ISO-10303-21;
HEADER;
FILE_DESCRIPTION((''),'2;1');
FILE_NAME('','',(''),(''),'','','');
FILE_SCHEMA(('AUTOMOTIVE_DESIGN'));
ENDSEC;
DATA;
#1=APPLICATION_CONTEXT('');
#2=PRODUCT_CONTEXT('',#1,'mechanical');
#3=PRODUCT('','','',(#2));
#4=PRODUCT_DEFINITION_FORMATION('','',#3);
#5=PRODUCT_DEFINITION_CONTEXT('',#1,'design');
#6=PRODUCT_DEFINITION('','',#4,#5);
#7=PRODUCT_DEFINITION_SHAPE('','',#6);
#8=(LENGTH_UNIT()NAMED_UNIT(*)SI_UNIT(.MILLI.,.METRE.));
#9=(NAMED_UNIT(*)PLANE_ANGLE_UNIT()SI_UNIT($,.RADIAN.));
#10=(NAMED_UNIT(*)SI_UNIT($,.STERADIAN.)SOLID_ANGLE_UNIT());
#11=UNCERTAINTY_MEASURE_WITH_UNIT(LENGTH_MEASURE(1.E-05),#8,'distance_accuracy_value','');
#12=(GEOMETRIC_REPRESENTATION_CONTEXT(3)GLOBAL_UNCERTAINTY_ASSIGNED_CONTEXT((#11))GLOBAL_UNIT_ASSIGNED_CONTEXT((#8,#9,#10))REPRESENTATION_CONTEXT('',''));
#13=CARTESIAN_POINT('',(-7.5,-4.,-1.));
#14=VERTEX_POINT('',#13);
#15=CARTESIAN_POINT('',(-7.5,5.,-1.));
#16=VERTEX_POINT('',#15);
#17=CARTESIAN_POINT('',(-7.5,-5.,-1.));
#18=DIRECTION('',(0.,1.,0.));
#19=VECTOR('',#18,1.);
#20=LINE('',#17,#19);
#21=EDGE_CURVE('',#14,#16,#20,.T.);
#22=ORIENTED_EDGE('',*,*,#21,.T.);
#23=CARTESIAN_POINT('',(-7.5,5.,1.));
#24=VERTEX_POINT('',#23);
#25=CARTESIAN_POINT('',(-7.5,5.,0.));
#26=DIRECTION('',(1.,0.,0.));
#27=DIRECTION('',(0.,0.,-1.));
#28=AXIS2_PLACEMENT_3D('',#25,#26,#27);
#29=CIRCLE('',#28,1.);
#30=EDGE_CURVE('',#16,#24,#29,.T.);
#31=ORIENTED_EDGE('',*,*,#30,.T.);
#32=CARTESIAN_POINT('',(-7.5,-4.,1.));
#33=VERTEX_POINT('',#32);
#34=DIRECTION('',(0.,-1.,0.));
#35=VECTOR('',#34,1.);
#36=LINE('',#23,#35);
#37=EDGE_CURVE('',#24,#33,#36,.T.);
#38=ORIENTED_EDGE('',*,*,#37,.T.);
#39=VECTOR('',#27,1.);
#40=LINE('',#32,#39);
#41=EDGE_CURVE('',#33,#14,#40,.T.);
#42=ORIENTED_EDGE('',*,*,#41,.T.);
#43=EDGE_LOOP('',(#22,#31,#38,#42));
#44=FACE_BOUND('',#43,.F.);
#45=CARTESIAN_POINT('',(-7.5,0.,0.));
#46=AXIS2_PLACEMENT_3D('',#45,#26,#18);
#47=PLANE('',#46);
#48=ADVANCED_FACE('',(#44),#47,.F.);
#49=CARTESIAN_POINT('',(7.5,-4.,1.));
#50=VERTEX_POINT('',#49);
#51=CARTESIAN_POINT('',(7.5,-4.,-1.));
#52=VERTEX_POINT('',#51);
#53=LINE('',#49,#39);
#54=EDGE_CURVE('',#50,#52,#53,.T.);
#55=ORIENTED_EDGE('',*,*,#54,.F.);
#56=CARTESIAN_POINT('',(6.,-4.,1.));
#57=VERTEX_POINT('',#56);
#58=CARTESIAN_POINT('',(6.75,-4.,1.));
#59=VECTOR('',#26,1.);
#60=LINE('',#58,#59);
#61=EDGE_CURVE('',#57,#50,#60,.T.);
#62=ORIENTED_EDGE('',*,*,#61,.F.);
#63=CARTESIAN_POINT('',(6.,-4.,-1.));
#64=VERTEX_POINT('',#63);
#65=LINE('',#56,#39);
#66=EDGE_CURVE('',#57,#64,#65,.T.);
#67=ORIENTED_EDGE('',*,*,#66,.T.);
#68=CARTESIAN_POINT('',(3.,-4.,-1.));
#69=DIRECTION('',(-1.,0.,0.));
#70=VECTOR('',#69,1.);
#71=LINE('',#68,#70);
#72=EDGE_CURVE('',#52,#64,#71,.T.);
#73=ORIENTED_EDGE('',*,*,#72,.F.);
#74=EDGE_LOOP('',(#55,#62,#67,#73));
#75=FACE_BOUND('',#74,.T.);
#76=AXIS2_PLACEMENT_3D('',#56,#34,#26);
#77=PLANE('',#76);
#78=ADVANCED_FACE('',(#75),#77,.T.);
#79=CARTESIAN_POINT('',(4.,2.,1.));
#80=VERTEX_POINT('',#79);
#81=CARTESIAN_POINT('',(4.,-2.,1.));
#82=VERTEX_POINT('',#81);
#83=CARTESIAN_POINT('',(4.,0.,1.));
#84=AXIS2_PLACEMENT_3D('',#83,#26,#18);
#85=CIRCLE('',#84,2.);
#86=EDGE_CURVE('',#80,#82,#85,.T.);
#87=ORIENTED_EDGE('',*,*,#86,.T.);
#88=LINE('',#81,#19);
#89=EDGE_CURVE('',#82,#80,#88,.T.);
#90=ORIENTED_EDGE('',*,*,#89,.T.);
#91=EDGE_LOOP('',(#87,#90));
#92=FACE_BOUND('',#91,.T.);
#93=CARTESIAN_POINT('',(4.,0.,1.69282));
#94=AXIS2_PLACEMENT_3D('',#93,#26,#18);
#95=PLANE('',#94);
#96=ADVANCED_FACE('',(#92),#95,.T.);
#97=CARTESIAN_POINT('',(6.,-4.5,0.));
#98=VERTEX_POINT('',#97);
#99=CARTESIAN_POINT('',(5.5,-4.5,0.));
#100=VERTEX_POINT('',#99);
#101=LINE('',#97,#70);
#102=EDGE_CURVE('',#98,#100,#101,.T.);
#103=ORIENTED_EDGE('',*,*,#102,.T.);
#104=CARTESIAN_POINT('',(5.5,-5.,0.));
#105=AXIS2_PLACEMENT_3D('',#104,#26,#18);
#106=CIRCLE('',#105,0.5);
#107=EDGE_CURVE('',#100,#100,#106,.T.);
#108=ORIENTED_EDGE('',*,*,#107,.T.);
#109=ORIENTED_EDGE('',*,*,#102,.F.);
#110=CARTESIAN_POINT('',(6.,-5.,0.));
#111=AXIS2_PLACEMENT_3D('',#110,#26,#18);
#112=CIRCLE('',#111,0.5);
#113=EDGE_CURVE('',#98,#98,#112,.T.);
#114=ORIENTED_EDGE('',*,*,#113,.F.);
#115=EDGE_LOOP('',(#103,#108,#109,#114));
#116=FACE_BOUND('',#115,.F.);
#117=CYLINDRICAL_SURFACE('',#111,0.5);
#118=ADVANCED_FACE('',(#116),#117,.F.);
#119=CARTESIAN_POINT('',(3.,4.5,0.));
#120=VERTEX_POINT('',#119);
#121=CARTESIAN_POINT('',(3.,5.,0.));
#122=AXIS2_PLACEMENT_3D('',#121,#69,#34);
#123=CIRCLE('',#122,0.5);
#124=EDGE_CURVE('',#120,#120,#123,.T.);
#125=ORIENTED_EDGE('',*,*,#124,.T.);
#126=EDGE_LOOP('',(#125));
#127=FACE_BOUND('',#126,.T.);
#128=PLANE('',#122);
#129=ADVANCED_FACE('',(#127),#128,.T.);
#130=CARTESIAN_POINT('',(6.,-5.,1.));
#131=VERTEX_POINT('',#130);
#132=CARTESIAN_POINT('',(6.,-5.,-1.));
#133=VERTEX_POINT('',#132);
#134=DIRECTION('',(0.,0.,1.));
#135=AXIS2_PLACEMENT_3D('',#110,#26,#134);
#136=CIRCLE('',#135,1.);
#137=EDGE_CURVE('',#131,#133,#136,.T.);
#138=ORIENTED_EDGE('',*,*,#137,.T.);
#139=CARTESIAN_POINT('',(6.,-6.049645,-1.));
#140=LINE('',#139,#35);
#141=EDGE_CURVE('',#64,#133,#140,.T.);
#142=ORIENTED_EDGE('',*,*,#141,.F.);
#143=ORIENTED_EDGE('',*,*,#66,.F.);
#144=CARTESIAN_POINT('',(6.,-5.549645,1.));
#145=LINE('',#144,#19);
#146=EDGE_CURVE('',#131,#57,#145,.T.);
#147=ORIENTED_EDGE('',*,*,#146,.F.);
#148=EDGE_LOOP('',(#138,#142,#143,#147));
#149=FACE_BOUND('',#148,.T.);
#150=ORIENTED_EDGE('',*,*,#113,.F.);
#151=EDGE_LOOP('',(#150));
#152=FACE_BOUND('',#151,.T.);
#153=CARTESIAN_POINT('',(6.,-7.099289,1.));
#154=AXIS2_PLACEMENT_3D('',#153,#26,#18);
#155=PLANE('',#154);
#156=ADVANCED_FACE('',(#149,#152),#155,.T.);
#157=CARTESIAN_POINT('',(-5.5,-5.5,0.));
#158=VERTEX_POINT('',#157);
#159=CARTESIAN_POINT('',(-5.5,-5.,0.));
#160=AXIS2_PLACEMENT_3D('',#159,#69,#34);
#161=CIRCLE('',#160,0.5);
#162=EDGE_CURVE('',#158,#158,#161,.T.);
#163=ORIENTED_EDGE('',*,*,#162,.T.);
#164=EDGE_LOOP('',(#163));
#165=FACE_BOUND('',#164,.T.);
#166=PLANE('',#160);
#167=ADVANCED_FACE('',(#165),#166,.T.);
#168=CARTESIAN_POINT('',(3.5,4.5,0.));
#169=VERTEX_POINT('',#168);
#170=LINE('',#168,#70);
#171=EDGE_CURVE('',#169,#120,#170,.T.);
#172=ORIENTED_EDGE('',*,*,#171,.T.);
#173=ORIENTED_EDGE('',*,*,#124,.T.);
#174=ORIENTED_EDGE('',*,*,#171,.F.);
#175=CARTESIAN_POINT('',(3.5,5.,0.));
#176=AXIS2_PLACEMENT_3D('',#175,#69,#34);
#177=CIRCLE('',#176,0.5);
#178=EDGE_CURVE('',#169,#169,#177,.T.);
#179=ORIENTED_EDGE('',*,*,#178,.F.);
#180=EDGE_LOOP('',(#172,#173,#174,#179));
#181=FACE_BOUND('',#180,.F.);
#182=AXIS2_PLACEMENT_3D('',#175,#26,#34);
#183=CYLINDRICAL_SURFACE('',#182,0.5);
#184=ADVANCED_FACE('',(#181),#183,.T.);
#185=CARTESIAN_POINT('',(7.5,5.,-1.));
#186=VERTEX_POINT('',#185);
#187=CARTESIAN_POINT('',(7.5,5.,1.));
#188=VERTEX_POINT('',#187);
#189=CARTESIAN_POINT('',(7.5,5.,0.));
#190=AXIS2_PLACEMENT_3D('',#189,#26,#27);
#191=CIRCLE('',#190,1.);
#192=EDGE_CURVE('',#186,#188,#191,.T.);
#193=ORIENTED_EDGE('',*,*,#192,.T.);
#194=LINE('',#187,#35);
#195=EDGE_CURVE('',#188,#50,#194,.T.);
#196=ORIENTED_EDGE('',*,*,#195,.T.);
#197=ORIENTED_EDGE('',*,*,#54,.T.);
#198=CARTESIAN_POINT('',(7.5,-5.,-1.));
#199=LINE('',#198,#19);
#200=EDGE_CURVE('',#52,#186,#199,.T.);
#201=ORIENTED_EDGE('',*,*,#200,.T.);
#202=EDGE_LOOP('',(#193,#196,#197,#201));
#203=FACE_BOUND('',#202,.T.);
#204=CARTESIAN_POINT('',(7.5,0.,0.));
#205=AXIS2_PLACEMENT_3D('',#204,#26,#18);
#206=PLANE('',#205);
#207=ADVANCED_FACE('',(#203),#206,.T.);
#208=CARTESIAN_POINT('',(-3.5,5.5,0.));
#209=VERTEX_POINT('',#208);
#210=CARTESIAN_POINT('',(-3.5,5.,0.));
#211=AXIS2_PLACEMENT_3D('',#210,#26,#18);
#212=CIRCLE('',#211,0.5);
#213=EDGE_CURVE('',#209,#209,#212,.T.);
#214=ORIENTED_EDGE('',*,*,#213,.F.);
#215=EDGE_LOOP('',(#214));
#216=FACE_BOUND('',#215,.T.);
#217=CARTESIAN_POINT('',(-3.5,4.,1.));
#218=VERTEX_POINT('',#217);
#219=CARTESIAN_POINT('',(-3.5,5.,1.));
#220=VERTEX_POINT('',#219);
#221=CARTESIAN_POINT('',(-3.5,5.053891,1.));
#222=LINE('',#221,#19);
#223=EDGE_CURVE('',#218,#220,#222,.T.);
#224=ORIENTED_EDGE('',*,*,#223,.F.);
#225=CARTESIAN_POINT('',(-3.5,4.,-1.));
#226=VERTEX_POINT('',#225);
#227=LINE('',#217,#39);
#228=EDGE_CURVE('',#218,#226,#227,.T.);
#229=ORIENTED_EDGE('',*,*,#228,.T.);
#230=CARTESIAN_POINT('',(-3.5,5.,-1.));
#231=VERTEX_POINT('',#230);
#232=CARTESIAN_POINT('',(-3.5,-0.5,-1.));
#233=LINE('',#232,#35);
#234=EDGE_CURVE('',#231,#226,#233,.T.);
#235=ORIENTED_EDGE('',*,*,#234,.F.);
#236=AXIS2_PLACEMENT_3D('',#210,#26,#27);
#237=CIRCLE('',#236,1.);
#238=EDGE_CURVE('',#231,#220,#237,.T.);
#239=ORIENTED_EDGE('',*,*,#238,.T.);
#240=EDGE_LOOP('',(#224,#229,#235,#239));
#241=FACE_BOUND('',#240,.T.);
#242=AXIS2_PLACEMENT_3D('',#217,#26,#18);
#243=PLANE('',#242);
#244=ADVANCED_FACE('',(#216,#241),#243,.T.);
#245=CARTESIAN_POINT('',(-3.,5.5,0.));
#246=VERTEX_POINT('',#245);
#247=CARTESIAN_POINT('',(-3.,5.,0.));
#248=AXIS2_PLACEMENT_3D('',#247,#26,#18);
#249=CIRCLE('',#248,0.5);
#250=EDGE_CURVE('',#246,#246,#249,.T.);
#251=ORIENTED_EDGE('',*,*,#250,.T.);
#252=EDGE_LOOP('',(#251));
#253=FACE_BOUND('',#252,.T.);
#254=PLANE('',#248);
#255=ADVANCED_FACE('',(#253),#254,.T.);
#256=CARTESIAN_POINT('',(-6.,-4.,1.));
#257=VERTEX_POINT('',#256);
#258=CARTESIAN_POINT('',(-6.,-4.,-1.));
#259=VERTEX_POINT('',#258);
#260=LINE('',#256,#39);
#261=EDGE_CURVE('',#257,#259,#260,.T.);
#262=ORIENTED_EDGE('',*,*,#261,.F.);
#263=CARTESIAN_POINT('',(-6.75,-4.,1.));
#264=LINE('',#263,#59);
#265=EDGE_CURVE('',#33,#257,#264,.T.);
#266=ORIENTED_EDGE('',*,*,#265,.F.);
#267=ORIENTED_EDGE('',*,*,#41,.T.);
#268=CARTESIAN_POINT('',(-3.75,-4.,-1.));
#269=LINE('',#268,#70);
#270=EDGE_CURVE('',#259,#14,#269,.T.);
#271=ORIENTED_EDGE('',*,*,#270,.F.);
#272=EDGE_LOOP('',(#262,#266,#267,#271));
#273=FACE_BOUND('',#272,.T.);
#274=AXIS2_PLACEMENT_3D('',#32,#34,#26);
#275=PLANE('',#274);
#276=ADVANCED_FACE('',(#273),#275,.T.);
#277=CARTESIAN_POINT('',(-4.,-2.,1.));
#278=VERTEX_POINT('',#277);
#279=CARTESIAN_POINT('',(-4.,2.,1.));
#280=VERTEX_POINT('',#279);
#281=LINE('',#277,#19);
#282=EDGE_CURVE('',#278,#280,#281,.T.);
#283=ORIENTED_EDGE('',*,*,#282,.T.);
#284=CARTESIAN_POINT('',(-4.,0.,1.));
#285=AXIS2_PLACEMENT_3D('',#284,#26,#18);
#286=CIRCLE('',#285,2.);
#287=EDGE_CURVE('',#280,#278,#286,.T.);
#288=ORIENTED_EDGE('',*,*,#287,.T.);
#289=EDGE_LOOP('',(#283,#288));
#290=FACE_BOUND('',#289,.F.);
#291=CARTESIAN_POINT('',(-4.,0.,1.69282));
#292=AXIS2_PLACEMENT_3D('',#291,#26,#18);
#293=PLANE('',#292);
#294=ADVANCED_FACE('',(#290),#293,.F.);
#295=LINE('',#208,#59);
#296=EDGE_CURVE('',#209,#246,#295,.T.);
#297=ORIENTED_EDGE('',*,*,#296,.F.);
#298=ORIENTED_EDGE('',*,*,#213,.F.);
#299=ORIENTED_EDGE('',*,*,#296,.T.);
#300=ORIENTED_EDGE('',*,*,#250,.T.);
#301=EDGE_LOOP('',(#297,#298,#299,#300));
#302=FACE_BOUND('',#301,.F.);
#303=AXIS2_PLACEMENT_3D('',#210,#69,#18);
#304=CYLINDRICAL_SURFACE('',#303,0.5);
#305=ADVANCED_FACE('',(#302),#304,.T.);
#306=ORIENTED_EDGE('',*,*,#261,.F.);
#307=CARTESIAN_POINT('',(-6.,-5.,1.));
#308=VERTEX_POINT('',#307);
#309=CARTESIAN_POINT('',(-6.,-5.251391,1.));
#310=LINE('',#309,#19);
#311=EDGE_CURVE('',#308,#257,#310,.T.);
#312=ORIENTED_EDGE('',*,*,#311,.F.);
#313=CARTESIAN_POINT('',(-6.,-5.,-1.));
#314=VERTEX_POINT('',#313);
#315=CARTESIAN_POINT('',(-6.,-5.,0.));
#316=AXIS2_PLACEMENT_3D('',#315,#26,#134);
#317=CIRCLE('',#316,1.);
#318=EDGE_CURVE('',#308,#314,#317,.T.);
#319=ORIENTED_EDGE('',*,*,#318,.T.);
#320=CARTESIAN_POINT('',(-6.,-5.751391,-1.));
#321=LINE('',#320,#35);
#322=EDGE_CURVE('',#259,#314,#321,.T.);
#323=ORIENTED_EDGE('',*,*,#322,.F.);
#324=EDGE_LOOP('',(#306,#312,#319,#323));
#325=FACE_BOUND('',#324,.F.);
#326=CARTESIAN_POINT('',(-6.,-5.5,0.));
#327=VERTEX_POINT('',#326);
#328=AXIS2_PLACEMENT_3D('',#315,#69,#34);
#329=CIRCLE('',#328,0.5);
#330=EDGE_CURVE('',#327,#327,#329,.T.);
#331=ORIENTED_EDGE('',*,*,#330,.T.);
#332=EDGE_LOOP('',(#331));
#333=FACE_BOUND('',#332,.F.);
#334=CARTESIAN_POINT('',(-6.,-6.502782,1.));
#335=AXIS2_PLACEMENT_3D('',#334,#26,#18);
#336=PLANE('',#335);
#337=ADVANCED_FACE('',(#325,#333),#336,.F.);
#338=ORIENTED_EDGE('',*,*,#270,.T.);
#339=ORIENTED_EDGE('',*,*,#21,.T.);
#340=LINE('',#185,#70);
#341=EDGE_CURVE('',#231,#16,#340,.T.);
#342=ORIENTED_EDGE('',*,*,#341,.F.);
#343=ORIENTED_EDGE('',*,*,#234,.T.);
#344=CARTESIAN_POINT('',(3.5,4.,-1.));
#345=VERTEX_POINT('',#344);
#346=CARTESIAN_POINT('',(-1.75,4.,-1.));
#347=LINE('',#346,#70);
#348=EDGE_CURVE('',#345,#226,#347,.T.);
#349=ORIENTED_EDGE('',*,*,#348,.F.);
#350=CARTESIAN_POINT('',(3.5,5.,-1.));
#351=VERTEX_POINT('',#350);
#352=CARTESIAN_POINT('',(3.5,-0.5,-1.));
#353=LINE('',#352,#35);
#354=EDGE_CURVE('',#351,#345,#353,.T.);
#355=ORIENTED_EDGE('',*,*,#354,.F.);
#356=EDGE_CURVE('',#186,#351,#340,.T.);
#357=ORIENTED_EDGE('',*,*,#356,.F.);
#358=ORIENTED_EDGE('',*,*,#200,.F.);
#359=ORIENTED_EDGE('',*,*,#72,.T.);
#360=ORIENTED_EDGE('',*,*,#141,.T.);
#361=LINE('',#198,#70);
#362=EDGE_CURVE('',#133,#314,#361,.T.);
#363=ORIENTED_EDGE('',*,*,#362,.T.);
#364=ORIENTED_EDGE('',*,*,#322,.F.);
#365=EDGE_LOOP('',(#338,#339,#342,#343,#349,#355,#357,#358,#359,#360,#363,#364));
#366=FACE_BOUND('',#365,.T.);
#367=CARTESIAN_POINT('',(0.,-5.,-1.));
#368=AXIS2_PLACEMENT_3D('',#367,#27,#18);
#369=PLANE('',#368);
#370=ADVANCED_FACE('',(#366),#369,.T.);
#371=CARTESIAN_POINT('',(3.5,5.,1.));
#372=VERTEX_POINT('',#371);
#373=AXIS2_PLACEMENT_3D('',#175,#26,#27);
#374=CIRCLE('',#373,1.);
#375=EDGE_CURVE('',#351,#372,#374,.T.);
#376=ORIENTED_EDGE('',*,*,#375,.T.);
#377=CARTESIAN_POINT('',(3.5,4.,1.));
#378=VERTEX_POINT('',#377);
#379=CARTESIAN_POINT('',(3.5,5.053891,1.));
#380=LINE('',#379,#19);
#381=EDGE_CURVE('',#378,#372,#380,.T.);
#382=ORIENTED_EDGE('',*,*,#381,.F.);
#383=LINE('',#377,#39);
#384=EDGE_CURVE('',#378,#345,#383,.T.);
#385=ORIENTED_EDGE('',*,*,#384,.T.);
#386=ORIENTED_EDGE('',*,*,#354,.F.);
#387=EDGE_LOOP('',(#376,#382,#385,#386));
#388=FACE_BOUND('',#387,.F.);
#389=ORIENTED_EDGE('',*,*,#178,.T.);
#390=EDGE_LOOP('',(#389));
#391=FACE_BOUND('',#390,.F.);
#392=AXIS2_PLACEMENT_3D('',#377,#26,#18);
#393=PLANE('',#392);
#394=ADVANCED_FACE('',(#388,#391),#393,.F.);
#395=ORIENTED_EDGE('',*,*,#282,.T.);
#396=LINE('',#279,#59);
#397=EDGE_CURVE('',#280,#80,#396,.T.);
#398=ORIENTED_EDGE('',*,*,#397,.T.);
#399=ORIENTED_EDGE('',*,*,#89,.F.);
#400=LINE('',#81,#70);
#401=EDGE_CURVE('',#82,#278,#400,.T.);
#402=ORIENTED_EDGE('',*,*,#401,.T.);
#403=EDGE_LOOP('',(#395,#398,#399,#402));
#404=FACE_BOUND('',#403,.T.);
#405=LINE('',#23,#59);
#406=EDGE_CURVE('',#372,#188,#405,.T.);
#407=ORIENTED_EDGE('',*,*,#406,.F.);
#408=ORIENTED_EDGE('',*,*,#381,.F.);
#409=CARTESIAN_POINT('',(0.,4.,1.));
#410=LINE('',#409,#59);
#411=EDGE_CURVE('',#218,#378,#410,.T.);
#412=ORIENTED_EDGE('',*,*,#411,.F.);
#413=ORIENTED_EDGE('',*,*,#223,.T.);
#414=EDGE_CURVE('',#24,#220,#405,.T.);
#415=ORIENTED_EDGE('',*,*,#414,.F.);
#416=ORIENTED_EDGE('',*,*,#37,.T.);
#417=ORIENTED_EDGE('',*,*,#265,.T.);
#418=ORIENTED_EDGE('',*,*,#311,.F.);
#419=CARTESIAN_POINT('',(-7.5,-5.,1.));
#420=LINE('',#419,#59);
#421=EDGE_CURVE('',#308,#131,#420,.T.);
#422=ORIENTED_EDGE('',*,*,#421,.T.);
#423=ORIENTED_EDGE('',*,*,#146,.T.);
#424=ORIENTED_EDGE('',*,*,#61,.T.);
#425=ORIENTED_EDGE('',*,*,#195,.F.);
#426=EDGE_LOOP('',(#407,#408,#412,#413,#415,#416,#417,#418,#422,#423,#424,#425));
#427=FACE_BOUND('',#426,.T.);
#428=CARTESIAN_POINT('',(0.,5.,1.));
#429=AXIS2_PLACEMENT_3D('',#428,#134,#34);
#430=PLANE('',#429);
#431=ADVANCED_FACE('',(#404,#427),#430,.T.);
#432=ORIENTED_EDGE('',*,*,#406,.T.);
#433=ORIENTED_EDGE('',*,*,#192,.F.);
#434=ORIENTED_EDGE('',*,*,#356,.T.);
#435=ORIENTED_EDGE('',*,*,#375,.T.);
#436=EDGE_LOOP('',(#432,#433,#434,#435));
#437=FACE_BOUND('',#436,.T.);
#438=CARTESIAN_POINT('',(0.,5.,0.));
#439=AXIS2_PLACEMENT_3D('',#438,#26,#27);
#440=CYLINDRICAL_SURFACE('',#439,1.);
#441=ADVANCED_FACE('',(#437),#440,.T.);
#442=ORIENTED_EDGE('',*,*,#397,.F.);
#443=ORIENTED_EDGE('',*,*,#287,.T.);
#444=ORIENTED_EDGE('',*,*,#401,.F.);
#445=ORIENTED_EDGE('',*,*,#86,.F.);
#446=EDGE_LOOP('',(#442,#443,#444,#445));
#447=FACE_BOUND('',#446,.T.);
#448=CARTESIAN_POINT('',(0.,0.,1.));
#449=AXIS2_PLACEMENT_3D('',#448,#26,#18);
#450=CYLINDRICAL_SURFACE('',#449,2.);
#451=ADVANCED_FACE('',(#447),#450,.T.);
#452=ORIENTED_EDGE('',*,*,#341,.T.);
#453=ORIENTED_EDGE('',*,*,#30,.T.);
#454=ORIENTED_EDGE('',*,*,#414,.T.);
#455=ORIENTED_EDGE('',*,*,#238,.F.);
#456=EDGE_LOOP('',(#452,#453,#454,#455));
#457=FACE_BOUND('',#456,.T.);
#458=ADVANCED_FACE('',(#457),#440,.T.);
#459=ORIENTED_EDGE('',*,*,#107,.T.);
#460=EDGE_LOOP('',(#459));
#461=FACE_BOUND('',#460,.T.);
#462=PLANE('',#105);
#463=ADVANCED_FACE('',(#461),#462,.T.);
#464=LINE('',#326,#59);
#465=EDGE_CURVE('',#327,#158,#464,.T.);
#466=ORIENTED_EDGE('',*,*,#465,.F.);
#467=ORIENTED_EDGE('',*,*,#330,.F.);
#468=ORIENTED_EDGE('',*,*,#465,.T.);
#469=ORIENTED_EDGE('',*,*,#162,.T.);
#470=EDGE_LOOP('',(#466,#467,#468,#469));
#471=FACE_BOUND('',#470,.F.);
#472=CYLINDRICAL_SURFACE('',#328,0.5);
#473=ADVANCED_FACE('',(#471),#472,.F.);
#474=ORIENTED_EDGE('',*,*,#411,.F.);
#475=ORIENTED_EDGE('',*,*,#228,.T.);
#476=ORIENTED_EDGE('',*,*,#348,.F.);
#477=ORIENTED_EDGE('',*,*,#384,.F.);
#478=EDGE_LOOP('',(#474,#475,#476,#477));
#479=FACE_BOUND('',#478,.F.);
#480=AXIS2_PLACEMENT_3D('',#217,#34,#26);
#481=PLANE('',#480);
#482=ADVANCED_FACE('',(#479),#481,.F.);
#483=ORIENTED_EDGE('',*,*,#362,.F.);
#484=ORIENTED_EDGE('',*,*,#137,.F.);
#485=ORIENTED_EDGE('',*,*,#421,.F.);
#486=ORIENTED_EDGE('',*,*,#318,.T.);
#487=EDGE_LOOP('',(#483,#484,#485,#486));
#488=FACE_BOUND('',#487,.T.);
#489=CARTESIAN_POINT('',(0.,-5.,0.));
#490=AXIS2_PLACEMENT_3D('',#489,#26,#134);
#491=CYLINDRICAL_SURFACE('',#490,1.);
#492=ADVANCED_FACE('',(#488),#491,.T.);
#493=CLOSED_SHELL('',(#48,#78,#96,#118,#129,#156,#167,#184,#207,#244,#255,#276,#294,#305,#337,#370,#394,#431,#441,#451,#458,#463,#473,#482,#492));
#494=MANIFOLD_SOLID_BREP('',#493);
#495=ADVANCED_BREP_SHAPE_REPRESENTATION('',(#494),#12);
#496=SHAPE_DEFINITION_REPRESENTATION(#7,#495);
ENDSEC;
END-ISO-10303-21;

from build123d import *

# Parameters (mm, degrees)
F1_DEPTH  = 7.5
F2_W      = 7
F2_H      = 2.1077826433
F2_W_2    = 1.5
F2_H_2    = 2.502781529
F2_H_3    = 3.0992894471
F3_DEPTH  = 5
F4_R      = 0.5
F5_DEPTH  = 0.5
F6_R      = 0.5
F7_DEPTH  = 0.5
F8_R      = 0.5
F9_DEPTH  = 0.5
F10_R     = 0.5
F11_DEPTH = 0.5
F13_DEPTH = 4


with BuildPart() as f1:
    # F0 (on Right) → F1 (new body, symmetric)
    with BuildSketch(Plane.YZ):
        with BuildLine():
            ThreePointArc((5, -1), (6, 0), (5, 1))
            Line((5, 1), (-5, 1))
            ThreePointArc((-5, 1), (-6, 0), (-5, -1))
            Line((-5, -1), (5, -1))
        make_face()
    extrude(amount=F1_DEPTH, both=True)

    # F2 (on face) → F3 (cut)
    with BuildSketch(Plane.XY.offset(1)):
        with Locations((0, 5.0538913216)):
            Rectangle(F2_W, F2_H)
        with Locations((-6.75, -5.2513907645)):
            Rectangle(F2_W_2, F2_H_2)
        with Locations((6.75, -5.5496447235)):
            Rectangle(F2_W_2, F2_H_3)
    extrude(amount=-F3_DEPTH, mode=Mode.SUBTRACT)

    # F4 (on face) → F5 (cut)
    with BuildSketch(Plane(origin=(-6, 0, 0), x_dir=(0, -1, 0), z_dir=(-1, 0, 0))):
        with Locations((5, 0)):
            Circle(F4_R)
    extrude(amount=-F5_DEPTH, mode=Mode.SUBTRACT)

    # F6 (on face) → F7 (cut)
    with BuildSketch(Plane.YZ.offset(6)):
        with Locations((-5, 0)):
            Circle(F6_R)
    extrude(amount=-F7_DEPTH, mode=Mode.SUBTRACT)

    # F8 (on face) → F9 (join)
    with BuildSketch(Plane.YZ.offset(-3.5)):
        with Locations((5, 0)):
            Circle(F8_R)
    extrude(amount=F9_DEPTH)

    # F10 (on face) → F11 (join)
    with BuildSketch(Plane(origin=(3.5, 0, 0), x_dir=(0, -1, 0), z_dir=(-1, 0, 0))):
        with Locations((-5, 0)):
            Circle(F10_R)
    extrude(amount=F11_DEPTH)

    # F12 (on Right) → F13 (join, symmetric)
    with BuildSketch(Plane.YZ):
        with BuildLine():
            Line((-2, 1), (2, 1))
            ThreePointArc((2, 1), (0, 3), (-2, 1))
        make_face()
    extrude(amount=F13_DEPTH, both=True)


solid = f1.part
